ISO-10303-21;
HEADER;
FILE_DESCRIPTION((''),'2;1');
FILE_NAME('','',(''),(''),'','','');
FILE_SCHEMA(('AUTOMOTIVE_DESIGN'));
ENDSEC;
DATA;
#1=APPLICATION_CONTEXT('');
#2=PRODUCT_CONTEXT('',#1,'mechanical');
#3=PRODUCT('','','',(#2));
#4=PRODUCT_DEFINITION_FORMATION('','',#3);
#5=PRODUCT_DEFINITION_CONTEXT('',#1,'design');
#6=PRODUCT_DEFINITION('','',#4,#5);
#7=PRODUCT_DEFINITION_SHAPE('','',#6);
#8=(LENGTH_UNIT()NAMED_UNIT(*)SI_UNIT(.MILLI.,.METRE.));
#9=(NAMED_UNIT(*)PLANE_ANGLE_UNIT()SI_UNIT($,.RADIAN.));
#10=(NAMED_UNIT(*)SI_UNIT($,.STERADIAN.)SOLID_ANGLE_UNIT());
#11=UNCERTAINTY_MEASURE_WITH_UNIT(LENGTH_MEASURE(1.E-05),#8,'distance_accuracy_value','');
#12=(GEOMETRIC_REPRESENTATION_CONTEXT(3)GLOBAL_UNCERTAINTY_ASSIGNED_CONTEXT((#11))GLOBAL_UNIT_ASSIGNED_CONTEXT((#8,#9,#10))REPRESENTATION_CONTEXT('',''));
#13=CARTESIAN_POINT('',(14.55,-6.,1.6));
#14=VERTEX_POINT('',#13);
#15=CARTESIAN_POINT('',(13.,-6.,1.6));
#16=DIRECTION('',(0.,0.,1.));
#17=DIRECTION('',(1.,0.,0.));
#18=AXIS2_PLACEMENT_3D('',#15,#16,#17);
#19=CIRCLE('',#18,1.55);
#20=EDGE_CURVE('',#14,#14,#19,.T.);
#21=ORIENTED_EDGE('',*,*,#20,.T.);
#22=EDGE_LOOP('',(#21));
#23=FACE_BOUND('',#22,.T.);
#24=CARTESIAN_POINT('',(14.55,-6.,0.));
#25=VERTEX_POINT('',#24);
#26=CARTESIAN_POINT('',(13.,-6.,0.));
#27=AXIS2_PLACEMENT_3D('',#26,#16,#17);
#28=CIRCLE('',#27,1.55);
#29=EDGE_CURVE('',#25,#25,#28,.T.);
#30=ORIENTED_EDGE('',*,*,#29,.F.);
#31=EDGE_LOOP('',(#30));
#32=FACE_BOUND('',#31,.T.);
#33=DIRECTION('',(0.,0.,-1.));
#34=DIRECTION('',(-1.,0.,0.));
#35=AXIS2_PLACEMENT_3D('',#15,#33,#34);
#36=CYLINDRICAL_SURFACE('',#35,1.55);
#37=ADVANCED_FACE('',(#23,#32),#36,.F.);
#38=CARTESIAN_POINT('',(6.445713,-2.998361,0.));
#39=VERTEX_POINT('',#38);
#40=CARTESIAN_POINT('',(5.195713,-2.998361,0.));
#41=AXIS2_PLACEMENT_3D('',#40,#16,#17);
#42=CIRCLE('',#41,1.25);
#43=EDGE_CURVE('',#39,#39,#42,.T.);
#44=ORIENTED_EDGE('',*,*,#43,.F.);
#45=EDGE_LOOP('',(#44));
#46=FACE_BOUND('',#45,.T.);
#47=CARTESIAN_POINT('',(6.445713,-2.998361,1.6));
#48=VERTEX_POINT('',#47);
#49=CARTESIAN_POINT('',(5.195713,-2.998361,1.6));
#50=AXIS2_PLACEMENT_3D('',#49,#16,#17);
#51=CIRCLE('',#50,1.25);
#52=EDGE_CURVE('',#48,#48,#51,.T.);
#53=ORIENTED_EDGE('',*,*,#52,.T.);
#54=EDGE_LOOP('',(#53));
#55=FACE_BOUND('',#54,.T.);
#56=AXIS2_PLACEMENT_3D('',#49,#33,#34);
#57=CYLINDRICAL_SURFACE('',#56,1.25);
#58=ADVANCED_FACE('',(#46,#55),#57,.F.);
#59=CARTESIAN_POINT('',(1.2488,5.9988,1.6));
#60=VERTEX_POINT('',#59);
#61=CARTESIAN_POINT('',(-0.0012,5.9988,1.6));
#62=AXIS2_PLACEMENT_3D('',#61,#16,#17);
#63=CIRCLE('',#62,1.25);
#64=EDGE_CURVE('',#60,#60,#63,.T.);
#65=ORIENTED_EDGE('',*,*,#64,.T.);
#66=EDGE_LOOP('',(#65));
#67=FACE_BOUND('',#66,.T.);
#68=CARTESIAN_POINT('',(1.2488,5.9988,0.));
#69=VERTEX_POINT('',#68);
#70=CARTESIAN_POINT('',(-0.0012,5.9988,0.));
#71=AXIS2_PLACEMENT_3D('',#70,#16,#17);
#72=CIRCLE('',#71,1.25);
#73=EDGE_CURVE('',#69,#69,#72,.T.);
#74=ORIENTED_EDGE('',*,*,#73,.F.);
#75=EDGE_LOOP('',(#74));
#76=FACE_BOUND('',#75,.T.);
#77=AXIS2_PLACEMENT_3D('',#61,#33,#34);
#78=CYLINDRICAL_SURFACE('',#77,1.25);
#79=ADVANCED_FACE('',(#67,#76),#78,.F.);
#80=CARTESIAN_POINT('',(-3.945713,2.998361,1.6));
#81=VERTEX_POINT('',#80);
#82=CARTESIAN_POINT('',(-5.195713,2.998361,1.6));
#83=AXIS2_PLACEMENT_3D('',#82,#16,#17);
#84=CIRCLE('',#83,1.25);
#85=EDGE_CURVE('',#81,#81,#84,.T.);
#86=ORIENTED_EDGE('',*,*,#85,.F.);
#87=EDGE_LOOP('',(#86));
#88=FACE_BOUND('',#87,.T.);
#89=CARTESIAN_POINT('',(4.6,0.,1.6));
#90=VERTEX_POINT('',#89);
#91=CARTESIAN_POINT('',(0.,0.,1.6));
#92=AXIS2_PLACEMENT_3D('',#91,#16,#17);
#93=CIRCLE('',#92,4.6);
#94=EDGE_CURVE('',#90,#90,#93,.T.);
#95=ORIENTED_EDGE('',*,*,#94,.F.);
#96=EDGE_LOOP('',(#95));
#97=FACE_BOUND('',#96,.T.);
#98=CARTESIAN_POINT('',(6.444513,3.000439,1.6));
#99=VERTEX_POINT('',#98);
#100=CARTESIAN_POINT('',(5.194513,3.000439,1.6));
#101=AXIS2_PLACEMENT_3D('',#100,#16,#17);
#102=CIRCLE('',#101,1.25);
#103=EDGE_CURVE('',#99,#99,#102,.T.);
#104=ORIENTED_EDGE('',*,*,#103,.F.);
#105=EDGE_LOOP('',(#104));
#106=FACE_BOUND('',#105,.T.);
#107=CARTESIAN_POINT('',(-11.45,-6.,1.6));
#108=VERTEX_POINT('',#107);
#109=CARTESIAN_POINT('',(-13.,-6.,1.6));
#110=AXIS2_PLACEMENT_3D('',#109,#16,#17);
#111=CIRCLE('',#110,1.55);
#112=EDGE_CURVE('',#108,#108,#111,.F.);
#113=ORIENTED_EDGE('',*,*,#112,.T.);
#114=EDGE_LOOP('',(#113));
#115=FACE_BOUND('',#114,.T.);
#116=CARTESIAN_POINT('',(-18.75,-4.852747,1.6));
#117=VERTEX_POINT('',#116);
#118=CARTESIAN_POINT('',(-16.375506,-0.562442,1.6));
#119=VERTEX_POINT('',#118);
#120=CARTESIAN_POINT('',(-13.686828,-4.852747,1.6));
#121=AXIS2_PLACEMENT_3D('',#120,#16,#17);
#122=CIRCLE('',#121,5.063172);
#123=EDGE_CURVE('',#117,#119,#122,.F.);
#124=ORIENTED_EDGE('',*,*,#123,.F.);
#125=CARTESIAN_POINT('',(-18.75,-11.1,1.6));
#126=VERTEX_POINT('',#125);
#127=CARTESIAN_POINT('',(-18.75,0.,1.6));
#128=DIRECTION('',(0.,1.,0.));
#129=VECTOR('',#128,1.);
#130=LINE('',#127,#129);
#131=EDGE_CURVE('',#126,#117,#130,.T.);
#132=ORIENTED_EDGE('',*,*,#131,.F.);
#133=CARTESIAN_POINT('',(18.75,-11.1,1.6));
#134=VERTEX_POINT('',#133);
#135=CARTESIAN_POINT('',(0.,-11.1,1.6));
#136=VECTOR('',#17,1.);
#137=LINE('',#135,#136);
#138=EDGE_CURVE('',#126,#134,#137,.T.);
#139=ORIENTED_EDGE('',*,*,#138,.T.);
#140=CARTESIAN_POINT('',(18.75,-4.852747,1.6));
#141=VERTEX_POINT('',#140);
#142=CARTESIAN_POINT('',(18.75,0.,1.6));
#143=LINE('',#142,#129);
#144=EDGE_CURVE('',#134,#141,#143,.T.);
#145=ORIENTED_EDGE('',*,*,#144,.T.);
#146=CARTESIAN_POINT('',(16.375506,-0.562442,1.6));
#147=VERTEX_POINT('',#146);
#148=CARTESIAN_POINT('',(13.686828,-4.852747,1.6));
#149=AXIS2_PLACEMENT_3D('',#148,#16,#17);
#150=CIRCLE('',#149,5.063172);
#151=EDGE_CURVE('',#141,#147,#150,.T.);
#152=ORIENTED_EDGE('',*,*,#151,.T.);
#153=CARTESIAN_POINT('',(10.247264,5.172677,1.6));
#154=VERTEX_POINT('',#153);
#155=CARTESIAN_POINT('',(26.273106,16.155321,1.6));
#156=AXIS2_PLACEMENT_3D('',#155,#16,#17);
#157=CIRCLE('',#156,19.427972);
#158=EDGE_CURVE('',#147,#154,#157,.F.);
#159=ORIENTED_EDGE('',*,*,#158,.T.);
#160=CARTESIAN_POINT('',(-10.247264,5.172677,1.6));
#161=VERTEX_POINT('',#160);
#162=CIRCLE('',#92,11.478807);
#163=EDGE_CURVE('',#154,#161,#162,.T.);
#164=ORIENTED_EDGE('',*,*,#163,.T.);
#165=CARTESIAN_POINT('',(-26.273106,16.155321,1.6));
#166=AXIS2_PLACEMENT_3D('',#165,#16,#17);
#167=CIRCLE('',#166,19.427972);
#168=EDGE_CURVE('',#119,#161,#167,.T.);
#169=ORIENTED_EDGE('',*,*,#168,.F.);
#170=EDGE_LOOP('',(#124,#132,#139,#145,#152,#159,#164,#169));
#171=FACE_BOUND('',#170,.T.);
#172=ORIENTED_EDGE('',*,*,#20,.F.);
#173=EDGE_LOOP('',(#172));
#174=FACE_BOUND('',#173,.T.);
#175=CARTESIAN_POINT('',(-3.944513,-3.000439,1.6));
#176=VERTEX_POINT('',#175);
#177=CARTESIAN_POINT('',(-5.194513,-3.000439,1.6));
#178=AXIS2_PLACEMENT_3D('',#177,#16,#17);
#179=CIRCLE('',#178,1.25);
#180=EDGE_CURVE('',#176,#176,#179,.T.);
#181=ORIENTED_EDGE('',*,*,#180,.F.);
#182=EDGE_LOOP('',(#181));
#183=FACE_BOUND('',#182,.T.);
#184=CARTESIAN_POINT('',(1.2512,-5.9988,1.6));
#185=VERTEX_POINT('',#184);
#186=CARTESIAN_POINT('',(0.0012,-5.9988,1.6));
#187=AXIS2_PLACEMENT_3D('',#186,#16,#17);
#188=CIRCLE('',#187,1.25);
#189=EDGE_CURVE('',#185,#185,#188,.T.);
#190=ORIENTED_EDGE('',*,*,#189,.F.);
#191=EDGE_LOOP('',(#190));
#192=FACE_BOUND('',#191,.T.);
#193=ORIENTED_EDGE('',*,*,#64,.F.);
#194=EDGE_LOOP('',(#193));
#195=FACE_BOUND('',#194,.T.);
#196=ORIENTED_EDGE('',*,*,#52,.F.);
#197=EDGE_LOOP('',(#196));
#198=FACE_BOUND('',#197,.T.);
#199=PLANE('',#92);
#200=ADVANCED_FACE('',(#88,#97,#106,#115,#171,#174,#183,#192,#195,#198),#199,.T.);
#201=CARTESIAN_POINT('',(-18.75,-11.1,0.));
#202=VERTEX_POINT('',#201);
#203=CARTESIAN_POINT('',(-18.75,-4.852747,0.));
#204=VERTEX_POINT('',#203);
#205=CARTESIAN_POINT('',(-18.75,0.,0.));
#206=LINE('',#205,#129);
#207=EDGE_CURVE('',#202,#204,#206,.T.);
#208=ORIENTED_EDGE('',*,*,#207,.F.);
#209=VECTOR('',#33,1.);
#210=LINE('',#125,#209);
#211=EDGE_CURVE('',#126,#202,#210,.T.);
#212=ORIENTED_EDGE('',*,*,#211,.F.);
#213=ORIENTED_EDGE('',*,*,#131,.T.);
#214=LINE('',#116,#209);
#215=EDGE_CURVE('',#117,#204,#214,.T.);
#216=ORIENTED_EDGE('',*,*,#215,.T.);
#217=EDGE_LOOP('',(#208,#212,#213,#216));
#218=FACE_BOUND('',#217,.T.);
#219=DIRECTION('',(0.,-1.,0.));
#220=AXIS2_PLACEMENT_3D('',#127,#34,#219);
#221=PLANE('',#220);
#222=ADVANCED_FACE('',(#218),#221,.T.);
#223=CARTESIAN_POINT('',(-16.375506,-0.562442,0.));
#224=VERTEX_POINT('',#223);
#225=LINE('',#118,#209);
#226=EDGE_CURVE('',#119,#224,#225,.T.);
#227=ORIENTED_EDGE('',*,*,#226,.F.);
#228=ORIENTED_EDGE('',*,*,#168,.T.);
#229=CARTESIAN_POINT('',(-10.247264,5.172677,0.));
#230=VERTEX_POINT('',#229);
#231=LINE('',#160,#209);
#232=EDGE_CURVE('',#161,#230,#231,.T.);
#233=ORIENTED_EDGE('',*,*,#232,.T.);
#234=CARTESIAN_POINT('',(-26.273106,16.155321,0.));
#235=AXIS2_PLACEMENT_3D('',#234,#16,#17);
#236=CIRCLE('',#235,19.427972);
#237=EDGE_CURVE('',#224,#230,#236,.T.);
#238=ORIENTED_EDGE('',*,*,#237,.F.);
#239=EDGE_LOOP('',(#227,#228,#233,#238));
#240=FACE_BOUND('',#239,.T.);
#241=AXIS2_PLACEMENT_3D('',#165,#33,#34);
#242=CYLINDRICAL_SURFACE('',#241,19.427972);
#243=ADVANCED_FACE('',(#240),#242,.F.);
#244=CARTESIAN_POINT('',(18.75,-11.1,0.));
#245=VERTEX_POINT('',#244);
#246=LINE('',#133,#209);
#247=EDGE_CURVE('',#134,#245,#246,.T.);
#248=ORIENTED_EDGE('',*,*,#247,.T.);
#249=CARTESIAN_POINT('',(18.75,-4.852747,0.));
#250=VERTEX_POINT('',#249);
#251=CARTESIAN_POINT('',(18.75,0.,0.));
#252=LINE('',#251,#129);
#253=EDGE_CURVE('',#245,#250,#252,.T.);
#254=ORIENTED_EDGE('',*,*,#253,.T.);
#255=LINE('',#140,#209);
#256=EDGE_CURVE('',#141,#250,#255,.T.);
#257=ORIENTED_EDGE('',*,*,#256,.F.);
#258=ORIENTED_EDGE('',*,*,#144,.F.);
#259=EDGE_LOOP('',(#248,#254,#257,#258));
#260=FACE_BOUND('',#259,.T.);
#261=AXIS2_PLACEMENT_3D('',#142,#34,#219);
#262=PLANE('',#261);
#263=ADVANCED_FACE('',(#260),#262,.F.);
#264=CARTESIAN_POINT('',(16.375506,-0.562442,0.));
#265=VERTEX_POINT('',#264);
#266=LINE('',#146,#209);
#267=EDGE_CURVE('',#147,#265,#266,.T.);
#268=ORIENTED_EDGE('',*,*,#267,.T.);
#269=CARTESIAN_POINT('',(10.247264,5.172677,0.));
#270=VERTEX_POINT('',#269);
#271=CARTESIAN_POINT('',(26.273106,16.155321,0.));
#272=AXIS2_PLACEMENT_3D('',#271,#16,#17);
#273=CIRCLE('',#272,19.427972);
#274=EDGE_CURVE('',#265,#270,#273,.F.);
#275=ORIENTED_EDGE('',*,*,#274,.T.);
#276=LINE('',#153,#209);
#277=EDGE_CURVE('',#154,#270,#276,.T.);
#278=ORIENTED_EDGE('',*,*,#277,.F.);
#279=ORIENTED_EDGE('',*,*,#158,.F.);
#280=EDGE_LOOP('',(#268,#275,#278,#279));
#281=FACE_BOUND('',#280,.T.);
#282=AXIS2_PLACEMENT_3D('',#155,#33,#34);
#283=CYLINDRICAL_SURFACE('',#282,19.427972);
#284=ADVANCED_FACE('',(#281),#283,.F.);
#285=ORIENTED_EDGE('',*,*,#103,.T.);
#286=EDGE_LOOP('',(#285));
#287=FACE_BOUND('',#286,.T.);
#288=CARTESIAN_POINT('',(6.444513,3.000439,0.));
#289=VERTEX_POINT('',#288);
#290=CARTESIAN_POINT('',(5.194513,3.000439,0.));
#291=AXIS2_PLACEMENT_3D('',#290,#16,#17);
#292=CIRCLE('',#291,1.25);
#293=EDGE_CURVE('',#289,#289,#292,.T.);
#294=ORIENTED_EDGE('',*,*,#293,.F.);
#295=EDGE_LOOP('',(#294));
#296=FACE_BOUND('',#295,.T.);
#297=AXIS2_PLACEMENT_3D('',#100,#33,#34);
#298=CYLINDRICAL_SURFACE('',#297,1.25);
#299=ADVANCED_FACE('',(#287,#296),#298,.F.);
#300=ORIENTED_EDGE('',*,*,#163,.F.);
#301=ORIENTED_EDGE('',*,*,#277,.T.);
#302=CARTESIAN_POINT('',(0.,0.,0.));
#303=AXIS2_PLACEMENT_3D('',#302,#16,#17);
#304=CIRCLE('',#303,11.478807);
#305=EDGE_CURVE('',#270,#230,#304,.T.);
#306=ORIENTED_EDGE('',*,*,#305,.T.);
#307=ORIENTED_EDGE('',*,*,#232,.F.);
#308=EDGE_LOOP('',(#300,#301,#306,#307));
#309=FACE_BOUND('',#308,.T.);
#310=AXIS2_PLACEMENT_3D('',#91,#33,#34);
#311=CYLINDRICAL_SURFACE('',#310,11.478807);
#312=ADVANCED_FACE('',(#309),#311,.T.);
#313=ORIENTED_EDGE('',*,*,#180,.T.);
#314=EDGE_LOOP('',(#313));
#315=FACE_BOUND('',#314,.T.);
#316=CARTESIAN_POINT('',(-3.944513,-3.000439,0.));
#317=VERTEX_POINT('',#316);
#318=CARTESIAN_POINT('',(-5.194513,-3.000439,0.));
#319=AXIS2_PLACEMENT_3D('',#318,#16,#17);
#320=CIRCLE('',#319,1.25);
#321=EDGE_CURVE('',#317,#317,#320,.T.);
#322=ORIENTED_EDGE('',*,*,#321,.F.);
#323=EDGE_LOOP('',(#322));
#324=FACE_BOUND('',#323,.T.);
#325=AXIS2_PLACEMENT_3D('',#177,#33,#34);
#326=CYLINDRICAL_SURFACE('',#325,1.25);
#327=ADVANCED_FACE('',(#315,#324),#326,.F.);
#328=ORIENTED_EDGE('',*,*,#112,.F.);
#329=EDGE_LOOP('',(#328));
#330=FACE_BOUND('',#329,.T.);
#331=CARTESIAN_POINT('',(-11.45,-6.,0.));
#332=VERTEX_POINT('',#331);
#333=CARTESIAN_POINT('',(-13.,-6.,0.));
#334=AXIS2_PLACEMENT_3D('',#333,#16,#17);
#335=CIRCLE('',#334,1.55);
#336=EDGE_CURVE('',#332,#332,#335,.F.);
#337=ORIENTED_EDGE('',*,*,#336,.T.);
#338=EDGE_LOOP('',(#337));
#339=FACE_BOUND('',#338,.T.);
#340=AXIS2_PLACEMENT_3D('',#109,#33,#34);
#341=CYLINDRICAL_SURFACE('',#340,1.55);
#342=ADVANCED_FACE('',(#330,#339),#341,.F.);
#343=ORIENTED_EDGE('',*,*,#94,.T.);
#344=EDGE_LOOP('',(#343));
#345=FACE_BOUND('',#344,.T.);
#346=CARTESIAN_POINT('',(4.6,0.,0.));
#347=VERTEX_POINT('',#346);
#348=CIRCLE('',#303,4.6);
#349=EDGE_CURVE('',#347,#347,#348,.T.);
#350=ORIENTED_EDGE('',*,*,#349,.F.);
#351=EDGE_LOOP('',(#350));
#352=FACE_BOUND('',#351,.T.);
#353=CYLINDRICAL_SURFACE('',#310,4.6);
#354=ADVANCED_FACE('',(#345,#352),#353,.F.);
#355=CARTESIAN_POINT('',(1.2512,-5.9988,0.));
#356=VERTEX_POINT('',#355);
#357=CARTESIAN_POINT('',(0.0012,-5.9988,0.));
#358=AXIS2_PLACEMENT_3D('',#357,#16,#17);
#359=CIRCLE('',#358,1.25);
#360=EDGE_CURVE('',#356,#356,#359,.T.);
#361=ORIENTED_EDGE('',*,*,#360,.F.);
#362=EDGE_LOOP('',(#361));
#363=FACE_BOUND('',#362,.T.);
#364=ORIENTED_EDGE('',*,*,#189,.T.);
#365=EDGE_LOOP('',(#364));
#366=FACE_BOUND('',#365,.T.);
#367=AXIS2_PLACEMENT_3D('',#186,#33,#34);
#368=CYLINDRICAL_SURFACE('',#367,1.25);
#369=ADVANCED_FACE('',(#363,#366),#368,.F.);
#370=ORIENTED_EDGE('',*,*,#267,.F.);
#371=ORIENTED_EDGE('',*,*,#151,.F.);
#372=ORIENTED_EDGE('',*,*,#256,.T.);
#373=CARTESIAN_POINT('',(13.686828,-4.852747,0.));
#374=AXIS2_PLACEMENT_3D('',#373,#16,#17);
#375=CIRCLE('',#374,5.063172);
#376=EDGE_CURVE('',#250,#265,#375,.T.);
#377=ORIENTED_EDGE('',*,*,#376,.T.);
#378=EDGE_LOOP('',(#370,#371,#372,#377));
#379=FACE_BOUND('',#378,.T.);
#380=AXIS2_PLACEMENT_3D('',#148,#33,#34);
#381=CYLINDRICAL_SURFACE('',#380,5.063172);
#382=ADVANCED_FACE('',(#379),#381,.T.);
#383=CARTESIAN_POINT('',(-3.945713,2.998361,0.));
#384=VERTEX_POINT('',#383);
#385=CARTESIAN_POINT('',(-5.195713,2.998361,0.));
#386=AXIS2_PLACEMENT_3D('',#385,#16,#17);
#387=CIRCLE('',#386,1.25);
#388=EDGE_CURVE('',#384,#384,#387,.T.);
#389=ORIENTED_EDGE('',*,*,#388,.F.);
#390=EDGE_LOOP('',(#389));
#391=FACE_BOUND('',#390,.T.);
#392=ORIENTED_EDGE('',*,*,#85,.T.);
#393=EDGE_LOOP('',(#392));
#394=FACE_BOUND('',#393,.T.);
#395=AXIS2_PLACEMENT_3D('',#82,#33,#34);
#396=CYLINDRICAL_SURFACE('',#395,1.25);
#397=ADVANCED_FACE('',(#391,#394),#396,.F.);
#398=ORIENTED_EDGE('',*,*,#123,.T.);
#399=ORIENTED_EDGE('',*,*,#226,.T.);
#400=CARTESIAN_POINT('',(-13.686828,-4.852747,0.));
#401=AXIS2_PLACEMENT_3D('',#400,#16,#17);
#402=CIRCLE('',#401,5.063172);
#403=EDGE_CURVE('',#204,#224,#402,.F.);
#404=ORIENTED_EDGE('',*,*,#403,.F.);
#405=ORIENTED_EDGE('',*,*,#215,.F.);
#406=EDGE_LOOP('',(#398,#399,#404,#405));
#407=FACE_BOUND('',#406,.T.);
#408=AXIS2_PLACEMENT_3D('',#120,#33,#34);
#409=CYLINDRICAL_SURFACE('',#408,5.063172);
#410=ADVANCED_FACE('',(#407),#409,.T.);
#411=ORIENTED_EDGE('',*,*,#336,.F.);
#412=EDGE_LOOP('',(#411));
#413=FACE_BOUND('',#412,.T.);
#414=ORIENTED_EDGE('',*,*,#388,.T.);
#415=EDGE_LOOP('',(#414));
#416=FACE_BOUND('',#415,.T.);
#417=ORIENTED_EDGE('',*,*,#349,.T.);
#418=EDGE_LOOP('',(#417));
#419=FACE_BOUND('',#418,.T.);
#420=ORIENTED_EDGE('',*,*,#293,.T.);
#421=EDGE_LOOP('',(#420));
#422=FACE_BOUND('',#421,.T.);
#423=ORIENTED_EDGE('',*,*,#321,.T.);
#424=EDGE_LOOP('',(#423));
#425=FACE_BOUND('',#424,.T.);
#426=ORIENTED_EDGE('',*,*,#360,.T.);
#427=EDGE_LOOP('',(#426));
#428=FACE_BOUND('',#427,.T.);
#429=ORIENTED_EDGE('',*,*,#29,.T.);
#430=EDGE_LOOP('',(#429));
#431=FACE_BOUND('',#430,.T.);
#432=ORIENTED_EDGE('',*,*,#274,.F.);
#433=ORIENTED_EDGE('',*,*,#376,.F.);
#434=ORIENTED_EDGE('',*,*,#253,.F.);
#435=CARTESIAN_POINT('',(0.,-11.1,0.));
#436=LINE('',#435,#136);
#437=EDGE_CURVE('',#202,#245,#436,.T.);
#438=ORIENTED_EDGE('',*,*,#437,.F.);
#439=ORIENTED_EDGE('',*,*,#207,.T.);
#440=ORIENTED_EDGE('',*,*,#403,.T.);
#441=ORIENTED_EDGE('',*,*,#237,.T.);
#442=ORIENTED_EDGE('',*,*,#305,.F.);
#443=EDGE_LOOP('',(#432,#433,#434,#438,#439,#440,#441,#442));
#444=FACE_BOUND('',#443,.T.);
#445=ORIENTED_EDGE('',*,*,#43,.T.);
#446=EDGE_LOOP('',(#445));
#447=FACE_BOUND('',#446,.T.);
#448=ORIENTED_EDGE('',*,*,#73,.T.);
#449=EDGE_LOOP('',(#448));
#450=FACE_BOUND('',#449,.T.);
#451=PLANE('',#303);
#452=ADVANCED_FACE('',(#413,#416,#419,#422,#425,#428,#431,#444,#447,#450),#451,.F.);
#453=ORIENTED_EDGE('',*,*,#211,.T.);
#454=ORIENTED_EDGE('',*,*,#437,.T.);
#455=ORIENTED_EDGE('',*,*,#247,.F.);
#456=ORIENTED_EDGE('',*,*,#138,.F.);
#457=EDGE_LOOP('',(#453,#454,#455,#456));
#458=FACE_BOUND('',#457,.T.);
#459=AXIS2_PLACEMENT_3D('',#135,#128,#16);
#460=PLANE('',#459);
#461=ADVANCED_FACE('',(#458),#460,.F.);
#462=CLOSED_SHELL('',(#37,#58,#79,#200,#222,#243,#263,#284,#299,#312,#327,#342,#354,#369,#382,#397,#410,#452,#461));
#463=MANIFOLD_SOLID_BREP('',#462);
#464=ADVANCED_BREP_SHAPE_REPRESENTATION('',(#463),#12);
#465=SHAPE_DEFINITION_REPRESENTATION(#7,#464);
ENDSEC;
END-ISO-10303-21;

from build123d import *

# Parameters (mm, degrees)
CROQUIS1_R              = 4.6
CROQUIS1_R_2            = 1.249999997
CROQUIS1_R_3            = 1.25
CROQUIS1_R_4            = 1.250000007
CROQUIS1_R_5            = 1.55
SALIENTE_EXTRUIR1_DEPTH = 1.6


with BuildPart() as part:
    # Croquis1 → Saliente-Extruir1 (new body)
    with BuildSketch(Plane.XY):
        with BuildLine():
            Line((-18.75, -11.1), (18.75, -11.1))
            Line((18.75, -11.1), (18.75, -4.852747113))
            ThreePointArc((18.75, -4.852747113), (18.116780108, -2.400965101), (16.375506293, -0.562441789))
            ThreePointArc((16.375506293, -0.562441789), (12.997975085, 1.970224072), (10.247264226, 5.172676757))
            ThreePointArc((10.247264226, 5.172676757), (0, 11.478806947), (-10.247264226, 5.172676757))
            ThreePointArc((-10.247264226, 5.172676757), (-12.997975085, 1.970224072), (-16.375506293, -0.562441789))
            ThreePointArc((-16.375506293, -0.562441789), (-18.116780108, -2.400965101), (-18.75, -4.852747113))
            Line((-18.75, -4.852747113), (-18.75, -11.1))
        make_face()
        Circle(CROQUIS1_R, mode=Mode.SUBTRACT)
        with Locations((-0.0012, 5.99880001)):
            Circle(CROQUIS1_R_2, mode=Mode.SUBTRACT)
        with Locations((5.194513192, 3.000439231)):
            Circle(CROQUIS1_R_3, mode=Mode.SUBTRACT)
        with Locations((5.195713192, -2.998360769)):
            Circle(CROQUIS1_R_3, mode=Mode.SUBTRACT)
        with Locations((0.0012, -5.9988)):
            Circle(CROQUIS1_R_3, mode=Mode.SUBTRACT)
        with Locations((-5.194513192, -3.00043923)):
            Circle(CROQUIS1_R_3, mode=Mode.SUBTRACT)
        with Locations((-5.195713248, 2.998360802)):
            Circle(CROQUIS1_R_4, mode=Mode.SUBTRACT)
        with Locations((13, -6)):
            Circle(CROQUIS1_R_5, mode=Mode.SUBTRACT)
        with Locations((-13, -6)):
            Circle(CROQUIS1_R_5, mode=Mode.SUBTRACT)
    extrude(amount=SALIENTE_EXTRUIR1_DEPTH)


solid = part.part
